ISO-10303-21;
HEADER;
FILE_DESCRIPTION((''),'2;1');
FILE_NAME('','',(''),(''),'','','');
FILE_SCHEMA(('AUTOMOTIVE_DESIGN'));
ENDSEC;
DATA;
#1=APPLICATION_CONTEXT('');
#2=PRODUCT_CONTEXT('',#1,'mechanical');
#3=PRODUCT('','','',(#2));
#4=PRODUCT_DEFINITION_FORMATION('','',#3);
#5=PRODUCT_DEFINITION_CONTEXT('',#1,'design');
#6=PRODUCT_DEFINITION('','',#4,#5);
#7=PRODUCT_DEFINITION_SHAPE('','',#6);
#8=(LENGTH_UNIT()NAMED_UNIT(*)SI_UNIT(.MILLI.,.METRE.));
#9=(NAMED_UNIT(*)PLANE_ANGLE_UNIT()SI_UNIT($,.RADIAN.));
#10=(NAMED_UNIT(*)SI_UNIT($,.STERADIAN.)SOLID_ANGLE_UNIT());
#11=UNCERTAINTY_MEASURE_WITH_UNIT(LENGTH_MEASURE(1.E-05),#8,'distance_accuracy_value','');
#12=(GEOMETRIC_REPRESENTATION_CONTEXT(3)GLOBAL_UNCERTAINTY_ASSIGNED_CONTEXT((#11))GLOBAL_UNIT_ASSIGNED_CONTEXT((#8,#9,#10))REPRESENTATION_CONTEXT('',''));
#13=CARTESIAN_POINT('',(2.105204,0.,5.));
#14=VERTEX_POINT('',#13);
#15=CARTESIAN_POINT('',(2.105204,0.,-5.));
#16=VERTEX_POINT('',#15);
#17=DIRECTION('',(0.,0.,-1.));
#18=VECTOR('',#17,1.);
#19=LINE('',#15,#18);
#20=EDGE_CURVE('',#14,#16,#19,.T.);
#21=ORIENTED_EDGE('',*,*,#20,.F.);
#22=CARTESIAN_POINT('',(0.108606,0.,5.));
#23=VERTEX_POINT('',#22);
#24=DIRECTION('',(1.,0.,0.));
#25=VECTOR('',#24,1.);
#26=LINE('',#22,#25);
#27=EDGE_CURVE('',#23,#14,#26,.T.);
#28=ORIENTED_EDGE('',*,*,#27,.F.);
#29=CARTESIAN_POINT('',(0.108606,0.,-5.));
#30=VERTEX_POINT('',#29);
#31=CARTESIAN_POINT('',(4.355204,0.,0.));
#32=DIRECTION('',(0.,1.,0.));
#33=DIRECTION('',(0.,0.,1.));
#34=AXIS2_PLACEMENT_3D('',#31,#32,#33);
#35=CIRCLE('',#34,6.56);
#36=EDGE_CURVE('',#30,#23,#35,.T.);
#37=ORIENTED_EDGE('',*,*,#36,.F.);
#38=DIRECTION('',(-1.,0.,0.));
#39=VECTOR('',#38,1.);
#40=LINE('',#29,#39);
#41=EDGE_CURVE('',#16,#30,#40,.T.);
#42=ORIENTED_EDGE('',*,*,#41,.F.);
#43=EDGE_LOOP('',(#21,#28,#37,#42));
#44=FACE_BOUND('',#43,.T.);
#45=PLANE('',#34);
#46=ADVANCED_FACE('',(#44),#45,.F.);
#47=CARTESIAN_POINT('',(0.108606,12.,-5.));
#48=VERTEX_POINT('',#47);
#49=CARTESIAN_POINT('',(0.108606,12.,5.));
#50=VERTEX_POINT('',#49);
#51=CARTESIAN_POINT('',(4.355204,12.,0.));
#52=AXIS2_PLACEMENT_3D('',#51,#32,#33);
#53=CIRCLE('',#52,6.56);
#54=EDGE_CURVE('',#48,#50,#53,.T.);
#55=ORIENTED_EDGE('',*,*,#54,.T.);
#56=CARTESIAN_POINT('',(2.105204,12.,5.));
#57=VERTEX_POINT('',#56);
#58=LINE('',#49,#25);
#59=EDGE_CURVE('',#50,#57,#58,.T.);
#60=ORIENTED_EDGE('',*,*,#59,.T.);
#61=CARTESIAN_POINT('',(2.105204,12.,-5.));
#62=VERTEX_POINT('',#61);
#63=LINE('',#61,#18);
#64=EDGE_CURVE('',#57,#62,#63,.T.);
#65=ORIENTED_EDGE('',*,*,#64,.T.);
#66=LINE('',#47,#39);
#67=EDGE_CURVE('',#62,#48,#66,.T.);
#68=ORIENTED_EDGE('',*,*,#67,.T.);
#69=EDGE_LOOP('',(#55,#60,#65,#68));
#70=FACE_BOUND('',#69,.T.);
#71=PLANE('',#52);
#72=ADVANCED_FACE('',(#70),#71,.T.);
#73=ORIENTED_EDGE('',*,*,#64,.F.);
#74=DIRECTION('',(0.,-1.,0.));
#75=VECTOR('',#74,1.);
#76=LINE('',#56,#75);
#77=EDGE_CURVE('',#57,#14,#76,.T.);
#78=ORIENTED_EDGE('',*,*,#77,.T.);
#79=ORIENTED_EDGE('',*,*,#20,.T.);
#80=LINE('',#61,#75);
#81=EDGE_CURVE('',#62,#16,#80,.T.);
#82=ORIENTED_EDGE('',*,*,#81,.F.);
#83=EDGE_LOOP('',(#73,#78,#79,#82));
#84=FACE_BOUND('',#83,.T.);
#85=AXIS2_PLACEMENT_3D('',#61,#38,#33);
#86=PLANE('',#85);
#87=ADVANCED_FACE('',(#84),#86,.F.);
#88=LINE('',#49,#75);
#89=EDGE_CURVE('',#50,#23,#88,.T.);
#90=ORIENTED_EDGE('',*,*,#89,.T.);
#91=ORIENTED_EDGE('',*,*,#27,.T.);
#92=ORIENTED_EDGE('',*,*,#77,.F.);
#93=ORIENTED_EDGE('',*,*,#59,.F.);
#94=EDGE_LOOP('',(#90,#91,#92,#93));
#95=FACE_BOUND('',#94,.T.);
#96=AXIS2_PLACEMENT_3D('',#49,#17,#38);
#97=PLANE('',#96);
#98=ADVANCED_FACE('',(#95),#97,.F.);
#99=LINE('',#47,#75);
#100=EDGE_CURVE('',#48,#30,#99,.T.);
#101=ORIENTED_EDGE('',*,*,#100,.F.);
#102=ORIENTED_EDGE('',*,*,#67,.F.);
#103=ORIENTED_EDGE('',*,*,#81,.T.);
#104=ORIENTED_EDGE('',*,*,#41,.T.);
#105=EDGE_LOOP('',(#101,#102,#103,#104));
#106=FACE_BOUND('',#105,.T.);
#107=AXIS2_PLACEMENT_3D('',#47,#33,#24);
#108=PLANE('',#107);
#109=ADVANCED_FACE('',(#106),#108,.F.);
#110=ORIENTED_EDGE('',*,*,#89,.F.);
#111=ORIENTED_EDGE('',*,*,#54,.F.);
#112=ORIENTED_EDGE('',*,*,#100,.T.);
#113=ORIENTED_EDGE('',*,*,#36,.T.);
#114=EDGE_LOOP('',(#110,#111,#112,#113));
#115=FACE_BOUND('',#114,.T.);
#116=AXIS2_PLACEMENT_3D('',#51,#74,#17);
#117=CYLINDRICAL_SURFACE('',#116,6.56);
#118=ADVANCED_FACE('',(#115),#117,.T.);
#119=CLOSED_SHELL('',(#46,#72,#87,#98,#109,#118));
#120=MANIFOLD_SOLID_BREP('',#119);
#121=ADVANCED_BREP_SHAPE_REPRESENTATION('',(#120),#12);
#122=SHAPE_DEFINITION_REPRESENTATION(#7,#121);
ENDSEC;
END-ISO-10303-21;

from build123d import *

# Parameters (mm, degrees)
EXTRUDE_1_DEPTH = 12


with BuildPart() as part:
    # 草图1 → 凸台-拉伸1 (new body)
    with BuildSketch(Plane(origin=(0, 0, 0), x_dir=(1, 0, 0), z_dir=(0, 1, 0))):
        with BuildLine():
            Line((0.108605696, 5), (2.105204335, 5))
            Line((2.105204335, 5), (2.105204335, -5))
            Line((2.105204335, -5), (0.108605696, -5))
            ThreePointArc((0.108605696, -5), (-2.204795665, 0), (0.108605696, 5))
        make_face()
    extrude(amount=EXTRUDE_1_DEPTH)


solid = part.part
